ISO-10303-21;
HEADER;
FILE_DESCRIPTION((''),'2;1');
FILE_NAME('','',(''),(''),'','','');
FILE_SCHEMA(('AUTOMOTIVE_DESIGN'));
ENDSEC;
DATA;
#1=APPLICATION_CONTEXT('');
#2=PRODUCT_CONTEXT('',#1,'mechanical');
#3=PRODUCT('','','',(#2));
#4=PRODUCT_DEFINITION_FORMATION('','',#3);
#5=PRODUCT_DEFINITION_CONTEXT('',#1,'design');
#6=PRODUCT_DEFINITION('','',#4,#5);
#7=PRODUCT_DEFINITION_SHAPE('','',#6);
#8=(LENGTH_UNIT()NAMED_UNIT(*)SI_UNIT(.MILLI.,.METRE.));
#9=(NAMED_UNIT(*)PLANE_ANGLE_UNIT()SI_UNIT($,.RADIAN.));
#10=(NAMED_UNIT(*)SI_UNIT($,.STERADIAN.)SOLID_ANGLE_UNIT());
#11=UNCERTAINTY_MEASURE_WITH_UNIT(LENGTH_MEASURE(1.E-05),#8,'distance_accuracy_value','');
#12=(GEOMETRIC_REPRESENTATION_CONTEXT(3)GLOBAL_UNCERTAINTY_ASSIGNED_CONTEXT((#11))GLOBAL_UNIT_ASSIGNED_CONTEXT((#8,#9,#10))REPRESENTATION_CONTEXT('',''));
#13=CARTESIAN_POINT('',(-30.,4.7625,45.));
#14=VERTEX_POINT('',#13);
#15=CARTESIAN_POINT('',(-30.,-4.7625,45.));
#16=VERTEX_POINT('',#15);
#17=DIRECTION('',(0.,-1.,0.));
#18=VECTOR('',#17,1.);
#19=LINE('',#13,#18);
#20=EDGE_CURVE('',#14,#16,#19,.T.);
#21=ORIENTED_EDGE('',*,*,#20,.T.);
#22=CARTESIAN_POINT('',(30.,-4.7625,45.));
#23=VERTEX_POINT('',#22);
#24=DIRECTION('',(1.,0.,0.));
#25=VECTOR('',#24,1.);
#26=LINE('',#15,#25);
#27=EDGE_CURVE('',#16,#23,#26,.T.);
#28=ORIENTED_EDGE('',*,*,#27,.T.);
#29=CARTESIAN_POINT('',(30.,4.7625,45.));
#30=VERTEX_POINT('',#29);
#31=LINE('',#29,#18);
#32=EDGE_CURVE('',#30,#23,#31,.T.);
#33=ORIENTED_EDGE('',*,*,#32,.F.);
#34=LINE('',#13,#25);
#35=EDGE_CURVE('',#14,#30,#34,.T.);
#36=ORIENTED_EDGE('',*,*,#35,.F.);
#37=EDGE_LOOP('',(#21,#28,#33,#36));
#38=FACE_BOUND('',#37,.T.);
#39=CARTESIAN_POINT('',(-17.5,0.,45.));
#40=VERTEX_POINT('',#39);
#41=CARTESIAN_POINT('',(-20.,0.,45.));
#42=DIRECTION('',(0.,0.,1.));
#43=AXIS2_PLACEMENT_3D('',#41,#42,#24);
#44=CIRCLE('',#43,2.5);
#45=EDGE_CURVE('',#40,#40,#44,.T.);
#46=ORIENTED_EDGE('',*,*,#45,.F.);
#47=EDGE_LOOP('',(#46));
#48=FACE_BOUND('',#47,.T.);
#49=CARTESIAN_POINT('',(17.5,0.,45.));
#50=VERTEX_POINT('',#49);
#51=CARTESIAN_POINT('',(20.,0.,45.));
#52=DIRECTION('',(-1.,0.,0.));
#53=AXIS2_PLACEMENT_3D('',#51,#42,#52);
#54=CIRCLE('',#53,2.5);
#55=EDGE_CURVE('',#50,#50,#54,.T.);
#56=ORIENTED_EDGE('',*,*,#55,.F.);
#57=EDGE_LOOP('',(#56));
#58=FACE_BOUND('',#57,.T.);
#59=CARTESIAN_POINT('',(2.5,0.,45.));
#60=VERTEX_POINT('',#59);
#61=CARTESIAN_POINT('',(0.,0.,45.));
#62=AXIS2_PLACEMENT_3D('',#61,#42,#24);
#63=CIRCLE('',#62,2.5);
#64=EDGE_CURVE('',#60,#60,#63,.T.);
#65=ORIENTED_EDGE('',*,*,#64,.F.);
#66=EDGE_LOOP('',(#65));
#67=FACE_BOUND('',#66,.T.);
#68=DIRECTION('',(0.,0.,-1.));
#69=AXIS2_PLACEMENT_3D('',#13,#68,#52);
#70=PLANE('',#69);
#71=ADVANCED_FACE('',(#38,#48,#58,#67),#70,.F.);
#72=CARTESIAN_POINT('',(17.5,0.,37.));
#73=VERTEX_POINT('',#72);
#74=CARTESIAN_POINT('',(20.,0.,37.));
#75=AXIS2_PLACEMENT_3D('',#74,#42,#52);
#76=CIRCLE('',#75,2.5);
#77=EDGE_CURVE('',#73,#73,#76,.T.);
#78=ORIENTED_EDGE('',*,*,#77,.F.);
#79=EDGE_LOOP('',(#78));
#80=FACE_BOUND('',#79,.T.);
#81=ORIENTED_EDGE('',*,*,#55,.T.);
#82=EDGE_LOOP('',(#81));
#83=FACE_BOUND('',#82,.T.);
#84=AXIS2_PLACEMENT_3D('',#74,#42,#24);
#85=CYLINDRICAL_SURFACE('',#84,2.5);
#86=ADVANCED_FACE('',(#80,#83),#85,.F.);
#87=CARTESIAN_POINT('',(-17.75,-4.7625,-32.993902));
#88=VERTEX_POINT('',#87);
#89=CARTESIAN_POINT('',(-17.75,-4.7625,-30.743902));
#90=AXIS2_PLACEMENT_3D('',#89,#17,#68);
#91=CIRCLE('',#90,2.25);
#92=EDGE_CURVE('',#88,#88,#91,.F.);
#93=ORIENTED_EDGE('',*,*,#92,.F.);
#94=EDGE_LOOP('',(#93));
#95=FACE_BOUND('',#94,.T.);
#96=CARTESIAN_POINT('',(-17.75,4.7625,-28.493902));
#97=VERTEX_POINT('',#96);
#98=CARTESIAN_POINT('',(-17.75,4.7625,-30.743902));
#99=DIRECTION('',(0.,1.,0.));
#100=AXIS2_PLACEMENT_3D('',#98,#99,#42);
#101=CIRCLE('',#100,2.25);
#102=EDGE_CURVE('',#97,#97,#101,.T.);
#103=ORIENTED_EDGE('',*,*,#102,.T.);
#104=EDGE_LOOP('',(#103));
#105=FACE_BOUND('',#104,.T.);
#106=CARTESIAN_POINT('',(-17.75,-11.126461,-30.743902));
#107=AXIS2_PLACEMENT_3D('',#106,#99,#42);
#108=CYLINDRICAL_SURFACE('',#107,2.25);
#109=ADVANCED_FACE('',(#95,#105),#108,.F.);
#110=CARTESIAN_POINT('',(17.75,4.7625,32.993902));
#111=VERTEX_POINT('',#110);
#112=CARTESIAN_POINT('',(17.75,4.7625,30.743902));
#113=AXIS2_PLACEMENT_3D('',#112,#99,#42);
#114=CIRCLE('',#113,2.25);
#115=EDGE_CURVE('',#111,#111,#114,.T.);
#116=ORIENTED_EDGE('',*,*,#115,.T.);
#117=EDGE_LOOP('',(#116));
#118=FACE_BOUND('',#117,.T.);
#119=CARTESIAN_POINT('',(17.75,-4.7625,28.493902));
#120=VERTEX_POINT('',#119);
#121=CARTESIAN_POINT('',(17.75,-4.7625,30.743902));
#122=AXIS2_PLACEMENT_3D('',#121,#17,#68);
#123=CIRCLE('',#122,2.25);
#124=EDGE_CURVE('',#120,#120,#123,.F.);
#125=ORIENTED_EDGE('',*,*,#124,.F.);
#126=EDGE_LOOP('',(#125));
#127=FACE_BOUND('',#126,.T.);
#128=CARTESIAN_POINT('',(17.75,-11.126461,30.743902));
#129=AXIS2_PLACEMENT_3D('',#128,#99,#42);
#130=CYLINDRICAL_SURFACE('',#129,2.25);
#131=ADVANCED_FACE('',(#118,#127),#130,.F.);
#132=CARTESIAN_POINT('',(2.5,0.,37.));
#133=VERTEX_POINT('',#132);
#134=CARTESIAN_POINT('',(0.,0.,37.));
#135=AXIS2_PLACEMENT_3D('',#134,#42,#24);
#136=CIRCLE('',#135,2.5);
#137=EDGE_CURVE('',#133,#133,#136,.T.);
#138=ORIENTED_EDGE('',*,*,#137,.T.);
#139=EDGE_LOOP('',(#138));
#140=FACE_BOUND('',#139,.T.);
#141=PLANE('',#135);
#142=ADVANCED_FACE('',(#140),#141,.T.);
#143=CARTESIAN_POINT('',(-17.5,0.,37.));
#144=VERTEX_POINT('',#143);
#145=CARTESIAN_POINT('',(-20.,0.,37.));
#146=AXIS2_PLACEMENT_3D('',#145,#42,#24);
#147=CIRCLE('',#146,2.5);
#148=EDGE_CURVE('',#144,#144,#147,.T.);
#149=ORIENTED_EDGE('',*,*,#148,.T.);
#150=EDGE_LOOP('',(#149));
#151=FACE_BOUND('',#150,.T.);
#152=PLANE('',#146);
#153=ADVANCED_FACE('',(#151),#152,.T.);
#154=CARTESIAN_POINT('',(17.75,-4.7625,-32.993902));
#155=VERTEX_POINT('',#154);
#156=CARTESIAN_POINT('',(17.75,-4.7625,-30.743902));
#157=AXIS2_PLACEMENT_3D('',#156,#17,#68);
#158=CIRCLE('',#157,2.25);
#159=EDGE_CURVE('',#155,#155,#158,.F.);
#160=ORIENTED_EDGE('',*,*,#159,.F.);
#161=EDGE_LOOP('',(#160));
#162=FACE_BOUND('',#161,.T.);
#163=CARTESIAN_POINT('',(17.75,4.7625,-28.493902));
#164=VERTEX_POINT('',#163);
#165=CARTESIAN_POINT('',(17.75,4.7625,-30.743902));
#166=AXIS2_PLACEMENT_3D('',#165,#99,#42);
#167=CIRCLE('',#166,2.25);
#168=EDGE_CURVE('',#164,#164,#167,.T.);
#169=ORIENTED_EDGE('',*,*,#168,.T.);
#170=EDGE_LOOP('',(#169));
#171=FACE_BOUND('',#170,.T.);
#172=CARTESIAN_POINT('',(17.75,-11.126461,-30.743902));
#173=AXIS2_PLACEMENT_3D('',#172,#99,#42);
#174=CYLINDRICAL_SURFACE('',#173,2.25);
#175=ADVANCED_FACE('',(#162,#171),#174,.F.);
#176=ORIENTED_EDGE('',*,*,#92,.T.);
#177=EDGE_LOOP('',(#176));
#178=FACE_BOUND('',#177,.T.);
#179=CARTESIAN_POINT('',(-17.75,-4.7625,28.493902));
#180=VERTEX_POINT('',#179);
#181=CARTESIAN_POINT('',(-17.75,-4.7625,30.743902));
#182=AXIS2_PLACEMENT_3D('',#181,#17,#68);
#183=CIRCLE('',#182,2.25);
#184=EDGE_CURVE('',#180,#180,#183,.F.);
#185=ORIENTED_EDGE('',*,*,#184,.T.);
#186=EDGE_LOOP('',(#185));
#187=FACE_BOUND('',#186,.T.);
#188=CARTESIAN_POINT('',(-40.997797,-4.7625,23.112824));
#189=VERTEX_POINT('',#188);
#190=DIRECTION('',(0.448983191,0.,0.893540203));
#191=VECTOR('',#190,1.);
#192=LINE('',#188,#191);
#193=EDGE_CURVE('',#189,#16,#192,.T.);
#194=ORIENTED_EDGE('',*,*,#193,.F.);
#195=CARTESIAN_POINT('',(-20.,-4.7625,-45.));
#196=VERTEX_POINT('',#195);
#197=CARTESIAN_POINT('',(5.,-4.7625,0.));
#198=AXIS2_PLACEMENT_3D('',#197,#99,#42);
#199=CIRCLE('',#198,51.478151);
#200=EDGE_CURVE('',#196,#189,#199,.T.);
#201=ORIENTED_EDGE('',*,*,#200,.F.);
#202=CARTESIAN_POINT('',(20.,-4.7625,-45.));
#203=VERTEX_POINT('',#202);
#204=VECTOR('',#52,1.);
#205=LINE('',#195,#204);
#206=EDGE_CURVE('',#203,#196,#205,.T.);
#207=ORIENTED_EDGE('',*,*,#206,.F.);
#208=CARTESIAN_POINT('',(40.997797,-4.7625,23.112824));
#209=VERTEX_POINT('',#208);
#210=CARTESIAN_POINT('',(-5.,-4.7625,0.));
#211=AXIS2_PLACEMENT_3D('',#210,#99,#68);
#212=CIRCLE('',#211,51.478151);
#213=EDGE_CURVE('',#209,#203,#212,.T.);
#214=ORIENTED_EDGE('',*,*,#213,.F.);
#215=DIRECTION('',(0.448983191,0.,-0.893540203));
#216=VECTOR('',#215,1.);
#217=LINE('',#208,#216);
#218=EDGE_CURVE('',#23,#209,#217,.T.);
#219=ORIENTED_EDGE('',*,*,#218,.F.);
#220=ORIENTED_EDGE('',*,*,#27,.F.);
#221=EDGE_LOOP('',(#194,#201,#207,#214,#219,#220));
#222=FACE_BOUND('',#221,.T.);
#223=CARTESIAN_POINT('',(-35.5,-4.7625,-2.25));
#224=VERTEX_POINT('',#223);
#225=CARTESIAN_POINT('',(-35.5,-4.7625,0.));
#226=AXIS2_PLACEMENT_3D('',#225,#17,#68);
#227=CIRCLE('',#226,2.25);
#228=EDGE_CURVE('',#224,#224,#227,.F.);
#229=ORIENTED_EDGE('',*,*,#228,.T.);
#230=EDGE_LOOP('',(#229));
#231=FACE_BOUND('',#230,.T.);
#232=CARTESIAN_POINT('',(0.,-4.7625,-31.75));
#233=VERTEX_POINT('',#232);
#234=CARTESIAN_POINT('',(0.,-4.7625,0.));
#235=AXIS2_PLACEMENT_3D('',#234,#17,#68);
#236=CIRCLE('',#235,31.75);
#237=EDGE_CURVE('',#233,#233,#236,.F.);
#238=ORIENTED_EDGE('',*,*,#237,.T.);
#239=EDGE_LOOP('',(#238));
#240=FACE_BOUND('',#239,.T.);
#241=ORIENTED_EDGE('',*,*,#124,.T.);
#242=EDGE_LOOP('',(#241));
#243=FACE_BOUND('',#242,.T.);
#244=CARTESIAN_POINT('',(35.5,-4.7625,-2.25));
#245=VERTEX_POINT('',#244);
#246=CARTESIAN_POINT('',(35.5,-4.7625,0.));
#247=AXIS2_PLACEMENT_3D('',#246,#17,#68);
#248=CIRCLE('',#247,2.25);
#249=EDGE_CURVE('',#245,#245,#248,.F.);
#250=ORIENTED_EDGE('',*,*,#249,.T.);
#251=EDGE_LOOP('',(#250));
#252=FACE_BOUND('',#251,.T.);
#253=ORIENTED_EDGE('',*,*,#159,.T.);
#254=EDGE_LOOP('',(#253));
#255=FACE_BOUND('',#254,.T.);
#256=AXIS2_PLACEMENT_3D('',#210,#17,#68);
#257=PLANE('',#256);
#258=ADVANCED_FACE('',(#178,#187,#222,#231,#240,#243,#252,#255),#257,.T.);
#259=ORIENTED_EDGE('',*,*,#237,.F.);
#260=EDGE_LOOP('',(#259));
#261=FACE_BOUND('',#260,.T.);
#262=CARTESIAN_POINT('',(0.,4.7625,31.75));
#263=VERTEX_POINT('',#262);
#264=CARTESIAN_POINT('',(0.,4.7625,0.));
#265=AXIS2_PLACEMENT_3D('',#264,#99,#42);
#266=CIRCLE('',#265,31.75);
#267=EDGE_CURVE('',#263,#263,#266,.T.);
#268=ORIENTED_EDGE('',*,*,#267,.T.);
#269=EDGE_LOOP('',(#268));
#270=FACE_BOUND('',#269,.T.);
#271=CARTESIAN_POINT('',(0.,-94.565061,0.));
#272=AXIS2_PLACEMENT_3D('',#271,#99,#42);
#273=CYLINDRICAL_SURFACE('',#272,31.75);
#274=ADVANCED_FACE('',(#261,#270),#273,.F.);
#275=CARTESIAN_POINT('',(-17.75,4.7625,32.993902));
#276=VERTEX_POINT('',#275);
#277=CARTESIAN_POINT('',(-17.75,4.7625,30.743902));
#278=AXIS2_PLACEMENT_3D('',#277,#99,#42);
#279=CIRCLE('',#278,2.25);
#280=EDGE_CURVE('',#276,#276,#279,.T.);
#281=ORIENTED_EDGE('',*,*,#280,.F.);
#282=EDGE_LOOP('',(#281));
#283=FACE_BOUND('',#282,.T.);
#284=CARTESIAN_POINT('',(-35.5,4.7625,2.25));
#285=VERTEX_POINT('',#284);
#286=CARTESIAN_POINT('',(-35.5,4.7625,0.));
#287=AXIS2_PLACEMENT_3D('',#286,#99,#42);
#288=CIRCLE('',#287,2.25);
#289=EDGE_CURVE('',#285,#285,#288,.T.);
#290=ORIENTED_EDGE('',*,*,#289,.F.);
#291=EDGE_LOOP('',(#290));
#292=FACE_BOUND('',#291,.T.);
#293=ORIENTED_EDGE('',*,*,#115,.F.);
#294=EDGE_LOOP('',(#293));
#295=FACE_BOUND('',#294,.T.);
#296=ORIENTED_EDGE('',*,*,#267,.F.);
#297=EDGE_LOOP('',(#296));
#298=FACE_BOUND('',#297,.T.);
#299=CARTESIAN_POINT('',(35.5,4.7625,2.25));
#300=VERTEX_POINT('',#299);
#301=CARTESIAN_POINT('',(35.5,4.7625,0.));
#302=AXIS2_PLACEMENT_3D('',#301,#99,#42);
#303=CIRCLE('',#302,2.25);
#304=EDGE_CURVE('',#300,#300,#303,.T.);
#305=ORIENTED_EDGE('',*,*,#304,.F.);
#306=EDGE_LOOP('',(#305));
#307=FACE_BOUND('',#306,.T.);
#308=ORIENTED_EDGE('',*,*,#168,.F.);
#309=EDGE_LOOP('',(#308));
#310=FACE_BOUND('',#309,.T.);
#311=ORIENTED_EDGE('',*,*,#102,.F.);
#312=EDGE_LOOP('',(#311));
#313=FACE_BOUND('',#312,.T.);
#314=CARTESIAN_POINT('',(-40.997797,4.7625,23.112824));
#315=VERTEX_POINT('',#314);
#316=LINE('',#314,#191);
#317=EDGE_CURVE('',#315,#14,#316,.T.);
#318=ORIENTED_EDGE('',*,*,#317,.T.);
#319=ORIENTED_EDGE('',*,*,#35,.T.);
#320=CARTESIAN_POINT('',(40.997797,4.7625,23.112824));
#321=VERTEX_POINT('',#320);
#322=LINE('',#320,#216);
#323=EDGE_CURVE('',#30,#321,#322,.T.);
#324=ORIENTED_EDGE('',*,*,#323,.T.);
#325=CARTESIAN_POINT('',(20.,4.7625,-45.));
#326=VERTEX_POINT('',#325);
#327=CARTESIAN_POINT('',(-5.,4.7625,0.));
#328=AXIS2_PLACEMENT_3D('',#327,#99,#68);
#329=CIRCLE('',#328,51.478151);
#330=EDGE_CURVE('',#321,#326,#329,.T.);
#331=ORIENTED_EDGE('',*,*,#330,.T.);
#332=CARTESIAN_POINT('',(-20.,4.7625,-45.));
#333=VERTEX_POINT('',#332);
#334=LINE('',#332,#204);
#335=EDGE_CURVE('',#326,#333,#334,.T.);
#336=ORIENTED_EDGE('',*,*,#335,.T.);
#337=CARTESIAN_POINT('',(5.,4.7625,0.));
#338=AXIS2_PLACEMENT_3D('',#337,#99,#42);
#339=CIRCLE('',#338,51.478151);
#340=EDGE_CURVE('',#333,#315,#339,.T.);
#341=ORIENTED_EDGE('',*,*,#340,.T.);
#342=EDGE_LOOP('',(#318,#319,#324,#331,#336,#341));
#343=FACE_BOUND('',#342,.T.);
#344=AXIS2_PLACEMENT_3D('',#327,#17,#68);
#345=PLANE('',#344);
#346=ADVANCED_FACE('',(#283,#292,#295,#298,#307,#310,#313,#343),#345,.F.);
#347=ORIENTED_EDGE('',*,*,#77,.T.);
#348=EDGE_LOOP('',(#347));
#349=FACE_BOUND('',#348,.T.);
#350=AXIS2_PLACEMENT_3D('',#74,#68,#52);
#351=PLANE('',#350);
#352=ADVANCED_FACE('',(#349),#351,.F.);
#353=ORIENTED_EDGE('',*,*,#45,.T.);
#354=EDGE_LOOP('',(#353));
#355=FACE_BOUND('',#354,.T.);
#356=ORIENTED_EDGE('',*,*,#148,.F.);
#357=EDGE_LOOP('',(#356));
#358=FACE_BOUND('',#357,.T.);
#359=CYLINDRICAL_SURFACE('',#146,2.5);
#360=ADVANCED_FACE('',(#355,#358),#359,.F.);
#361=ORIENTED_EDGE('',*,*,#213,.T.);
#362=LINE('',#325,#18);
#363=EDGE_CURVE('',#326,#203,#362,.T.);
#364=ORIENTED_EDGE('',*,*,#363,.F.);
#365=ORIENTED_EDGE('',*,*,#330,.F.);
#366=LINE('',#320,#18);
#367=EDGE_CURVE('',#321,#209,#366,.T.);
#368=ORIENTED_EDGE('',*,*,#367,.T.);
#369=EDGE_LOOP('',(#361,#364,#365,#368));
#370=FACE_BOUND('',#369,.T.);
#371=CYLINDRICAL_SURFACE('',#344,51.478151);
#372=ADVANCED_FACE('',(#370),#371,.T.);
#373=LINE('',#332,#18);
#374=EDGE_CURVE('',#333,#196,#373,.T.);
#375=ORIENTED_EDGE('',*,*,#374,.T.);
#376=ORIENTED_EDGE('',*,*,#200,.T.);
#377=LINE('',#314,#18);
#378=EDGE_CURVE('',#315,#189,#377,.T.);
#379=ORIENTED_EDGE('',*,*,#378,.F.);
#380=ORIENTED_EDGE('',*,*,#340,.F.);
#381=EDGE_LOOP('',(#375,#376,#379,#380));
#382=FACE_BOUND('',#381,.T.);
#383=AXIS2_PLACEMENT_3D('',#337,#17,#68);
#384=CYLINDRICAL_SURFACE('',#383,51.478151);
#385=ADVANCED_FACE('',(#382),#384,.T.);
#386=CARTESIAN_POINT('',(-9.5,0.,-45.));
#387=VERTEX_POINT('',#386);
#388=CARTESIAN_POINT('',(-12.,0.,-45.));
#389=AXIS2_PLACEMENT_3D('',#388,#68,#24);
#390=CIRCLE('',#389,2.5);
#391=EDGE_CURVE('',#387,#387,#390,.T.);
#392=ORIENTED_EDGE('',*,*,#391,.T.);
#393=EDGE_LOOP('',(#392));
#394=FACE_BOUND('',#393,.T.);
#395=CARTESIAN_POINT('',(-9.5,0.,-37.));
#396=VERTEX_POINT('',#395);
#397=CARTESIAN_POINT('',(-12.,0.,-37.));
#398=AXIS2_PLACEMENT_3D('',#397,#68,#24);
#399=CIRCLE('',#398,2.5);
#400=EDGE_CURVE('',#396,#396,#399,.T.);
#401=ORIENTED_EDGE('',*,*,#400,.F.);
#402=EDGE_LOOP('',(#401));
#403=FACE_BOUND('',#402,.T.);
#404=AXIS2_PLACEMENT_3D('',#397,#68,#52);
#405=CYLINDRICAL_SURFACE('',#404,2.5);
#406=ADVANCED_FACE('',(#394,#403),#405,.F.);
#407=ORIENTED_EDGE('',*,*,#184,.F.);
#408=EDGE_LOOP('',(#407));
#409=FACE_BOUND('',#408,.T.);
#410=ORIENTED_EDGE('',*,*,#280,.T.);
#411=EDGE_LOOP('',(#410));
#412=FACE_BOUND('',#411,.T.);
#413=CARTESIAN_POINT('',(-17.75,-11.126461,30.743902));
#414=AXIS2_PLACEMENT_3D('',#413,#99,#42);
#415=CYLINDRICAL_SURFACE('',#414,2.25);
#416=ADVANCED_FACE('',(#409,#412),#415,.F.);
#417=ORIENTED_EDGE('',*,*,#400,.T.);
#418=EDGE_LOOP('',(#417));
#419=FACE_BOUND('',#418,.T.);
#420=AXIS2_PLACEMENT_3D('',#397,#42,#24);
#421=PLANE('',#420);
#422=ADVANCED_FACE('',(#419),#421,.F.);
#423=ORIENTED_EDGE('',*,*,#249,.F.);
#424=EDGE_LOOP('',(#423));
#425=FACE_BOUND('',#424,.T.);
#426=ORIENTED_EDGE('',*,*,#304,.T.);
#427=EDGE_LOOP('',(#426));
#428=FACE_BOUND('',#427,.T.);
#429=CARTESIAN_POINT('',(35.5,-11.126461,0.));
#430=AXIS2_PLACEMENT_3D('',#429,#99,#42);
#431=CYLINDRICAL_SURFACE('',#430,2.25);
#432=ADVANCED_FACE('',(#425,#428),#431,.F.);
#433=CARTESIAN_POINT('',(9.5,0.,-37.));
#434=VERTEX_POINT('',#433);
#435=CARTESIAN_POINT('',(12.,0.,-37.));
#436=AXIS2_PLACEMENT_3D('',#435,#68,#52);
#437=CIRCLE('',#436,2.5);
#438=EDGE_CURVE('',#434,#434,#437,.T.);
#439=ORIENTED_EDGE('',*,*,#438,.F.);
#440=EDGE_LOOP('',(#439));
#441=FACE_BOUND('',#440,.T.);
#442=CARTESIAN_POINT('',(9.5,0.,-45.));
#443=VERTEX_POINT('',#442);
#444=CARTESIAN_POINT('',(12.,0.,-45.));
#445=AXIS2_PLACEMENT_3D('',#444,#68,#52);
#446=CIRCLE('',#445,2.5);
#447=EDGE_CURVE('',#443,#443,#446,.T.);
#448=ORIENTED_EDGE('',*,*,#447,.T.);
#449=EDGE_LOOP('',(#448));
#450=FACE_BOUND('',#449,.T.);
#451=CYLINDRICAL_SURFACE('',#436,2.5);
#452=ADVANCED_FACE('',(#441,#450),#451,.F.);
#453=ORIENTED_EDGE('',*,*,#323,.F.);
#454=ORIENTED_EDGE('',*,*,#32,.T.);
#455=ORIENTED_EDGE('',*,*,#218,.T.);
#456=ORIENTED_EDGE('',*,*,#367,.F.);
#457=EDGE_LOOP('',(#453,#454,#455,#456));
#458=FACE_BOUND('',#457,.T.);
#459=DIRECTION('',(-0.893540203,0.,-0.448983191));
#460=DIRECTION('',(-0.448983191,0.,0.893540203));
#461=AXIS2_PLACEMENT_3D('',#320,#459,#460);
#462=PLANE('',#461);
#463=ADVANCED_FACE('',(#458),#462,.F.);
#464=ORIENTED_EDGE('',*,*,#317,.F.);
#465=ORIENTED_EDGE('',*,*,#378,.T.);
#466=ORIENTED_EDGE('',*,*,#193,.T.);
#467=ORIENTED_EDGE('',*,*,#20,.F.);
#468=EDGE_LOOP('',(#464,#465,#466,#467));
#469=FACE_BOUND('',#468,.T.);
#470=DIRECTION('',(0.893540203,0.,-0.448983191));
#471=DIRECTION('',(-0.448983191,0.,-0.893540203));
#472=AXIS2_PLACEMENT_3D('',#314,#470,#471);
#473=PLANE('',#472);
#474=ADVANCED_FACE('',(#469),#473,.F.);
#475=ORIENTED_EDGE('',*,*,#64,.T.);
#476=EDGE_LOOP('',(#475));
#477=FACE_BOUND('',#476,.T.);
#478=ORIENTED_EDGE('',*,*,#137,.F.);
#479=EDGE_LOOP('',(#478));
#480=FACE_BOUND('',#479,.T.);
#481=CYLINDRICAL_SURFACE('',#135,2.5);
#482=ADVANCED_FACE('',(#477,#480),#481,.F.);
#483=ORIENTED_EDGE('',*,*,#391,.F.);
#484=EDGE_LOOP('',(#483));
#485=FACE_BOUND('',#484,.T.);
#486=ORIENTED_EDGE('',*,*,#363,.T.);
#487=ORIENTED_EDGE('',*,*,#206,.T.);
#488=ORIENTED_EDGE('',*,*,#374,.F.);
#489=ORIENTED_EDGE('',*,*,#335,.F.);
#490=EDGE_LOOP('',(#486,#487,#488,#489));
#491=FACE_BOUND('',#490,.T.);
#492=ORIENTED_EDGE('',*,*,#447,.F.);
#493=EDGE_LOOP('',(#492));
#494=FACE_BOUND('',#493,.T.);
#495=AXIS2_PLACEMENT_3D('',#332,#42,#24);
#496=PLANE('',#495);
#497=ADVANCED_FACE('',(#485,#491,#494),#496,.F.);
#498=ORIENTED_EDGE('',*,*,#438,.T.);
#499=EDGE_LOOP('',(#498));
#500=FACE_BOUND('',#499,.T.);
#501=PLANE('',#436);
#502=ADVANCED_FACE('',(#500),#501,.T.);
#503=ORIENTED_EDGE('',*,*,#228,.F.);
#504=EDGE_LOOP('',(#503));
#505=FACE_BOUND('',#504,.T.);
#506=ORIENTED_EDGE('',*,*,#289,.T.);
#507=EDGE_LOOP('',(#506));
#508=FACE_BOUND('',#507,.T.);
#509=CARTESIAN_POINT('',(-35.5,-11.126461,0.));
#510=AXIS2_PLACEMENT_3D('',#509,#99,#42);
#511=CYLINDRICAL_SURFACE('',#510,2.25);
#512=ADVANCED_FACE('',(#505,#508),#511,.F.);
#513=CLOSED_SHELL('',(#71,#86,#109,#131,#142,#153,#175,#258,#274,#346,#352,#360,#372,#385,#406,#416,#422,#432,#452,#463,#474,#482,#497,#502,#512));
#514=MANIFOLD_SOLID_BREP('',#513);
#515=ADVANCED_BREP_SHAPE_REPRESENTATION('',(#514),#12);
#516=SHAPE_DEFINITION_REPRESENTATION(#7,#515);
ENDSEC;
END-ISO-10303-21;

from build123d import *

# Parameters (mm, degrees)
F_3_8INCH_DEPTH    = 4.7625
SKETCH2_R          = 31.75
CUT_EXTRUDE1_DEPTH = 9.525
SKETCH3_R          = 2.25
M4_THROUGH_DEPTH   = 9.525
SKETCH4_R          = 2.5
M5X8_DRILL_DEPTH   = 8
SKETCH5_R          = 2.5
M5X8_DRILL2_DEPTH  = 8


with BuildPart() as part:
    # Sketch1 → 3/8inch (new, symmetric)
    with BuildSketch(Plane(origin=(0, 0, 0), x_dir=(1, 0, 0), z_dir=(0, 1, 0))):
        with BuildLine():
            Line((-30, -45), (30, -45))
            Line((30, -45), (40.997797218, -23.112824386))
            ThreePointArc((40.997797218, -23.112824386), (44.19360745, 15.165387766), (20, 45))
            Line((20, 45), (-20, 45))
            ThreePointArc((-20, 45), (-44.19360745, 15.165387766), (-40.997797218, -23.112824386))
            Line((-40.997797218, -23.112824386), (-30, -45))
        make_face()
    extrude(amount=F_3_8INCH_DEPTH, both=True)

    # Sketch2 → Cut-Extrude1 (cut)
    with BuildSketch(Plane(origin=(0, 4.7625, 0), x_dir=(1, 0, 0), z_dir=(0, 1, 0))):
        with Locations(Location((0, 0, 0), (0, 0, 270))):
            Circle(SKETCH2_R)
    extrude(amount=-CUT_EXTRUDE1_DEPTH, mode=Mode.SUBTRACT)

    # Sketch3 → M4_through (cut)
    with BuildSketch(Plane(origin=(0, 4.7625, 0), x_dir=(1, 0, 0), z_dir=(0, 1, 0))):
        with Locations(Location((17.75, 30.743901834, 0), (0, 0, 270))):
            Circle(SKETCH3_R)
        with Locations(Location((35.5, 0, 0), (0, 0, 270))):
            Circle(SKETCH3_R)
        with Locations(Location((17.75, -30.743901834, 0), (0, 0, 270))):
            Circle(SKETCH3_R)
        with Locations(Location((-17.75, -30.743901834, 0), (0, 0, 270))):
            Circle(SKETCH3_R)
        with Locations(Location((-35.5, 0, 0), (0, 0, 270))):
            Circle(SKETCH3_R)
        with Locations(Location((-17.75, 30.743901834, 0), (0, 0, 270))):
            Circle(SKETCH3_R)
    extrude(amount=-M4_THROUGH_DEPTH, mode=Mode.SUBTRACT)

    # Sketch4 → M5x8_DRILL (cut)
    with BuildSketch(Plane(origin=(0, 0, -45), x_dir=(-1, 0, 0), z_dir=(0, 0, -1))):
        with Locations((-12, 0)):
            Circle(SKETCH4_R)
        with Locations(Location((12, 0, 0), (0, 0, 180))):
            Circle(SKETCH4_R)
    extrude(amount=-M5X8_DRILL_DEPTH, mode=Mode.SUBTRACT)

    # Sketch5 → M5x8_DRILL2 (cut)
    with BuildSketch(Plane.XY.offset(45)):
        with Locations((-20, 0)):
            Circle(SKETCH5_R)
        with Locations(Location((20, 0, 0), (0, 0, 180))):
            Circle(SKETCH5_R)
        Circle(SKETCH5_R)
    extrude(amount=-M5X8_DRILL2_DEPTH, mode=Mode.SUBTRACT)


solid = part.part
